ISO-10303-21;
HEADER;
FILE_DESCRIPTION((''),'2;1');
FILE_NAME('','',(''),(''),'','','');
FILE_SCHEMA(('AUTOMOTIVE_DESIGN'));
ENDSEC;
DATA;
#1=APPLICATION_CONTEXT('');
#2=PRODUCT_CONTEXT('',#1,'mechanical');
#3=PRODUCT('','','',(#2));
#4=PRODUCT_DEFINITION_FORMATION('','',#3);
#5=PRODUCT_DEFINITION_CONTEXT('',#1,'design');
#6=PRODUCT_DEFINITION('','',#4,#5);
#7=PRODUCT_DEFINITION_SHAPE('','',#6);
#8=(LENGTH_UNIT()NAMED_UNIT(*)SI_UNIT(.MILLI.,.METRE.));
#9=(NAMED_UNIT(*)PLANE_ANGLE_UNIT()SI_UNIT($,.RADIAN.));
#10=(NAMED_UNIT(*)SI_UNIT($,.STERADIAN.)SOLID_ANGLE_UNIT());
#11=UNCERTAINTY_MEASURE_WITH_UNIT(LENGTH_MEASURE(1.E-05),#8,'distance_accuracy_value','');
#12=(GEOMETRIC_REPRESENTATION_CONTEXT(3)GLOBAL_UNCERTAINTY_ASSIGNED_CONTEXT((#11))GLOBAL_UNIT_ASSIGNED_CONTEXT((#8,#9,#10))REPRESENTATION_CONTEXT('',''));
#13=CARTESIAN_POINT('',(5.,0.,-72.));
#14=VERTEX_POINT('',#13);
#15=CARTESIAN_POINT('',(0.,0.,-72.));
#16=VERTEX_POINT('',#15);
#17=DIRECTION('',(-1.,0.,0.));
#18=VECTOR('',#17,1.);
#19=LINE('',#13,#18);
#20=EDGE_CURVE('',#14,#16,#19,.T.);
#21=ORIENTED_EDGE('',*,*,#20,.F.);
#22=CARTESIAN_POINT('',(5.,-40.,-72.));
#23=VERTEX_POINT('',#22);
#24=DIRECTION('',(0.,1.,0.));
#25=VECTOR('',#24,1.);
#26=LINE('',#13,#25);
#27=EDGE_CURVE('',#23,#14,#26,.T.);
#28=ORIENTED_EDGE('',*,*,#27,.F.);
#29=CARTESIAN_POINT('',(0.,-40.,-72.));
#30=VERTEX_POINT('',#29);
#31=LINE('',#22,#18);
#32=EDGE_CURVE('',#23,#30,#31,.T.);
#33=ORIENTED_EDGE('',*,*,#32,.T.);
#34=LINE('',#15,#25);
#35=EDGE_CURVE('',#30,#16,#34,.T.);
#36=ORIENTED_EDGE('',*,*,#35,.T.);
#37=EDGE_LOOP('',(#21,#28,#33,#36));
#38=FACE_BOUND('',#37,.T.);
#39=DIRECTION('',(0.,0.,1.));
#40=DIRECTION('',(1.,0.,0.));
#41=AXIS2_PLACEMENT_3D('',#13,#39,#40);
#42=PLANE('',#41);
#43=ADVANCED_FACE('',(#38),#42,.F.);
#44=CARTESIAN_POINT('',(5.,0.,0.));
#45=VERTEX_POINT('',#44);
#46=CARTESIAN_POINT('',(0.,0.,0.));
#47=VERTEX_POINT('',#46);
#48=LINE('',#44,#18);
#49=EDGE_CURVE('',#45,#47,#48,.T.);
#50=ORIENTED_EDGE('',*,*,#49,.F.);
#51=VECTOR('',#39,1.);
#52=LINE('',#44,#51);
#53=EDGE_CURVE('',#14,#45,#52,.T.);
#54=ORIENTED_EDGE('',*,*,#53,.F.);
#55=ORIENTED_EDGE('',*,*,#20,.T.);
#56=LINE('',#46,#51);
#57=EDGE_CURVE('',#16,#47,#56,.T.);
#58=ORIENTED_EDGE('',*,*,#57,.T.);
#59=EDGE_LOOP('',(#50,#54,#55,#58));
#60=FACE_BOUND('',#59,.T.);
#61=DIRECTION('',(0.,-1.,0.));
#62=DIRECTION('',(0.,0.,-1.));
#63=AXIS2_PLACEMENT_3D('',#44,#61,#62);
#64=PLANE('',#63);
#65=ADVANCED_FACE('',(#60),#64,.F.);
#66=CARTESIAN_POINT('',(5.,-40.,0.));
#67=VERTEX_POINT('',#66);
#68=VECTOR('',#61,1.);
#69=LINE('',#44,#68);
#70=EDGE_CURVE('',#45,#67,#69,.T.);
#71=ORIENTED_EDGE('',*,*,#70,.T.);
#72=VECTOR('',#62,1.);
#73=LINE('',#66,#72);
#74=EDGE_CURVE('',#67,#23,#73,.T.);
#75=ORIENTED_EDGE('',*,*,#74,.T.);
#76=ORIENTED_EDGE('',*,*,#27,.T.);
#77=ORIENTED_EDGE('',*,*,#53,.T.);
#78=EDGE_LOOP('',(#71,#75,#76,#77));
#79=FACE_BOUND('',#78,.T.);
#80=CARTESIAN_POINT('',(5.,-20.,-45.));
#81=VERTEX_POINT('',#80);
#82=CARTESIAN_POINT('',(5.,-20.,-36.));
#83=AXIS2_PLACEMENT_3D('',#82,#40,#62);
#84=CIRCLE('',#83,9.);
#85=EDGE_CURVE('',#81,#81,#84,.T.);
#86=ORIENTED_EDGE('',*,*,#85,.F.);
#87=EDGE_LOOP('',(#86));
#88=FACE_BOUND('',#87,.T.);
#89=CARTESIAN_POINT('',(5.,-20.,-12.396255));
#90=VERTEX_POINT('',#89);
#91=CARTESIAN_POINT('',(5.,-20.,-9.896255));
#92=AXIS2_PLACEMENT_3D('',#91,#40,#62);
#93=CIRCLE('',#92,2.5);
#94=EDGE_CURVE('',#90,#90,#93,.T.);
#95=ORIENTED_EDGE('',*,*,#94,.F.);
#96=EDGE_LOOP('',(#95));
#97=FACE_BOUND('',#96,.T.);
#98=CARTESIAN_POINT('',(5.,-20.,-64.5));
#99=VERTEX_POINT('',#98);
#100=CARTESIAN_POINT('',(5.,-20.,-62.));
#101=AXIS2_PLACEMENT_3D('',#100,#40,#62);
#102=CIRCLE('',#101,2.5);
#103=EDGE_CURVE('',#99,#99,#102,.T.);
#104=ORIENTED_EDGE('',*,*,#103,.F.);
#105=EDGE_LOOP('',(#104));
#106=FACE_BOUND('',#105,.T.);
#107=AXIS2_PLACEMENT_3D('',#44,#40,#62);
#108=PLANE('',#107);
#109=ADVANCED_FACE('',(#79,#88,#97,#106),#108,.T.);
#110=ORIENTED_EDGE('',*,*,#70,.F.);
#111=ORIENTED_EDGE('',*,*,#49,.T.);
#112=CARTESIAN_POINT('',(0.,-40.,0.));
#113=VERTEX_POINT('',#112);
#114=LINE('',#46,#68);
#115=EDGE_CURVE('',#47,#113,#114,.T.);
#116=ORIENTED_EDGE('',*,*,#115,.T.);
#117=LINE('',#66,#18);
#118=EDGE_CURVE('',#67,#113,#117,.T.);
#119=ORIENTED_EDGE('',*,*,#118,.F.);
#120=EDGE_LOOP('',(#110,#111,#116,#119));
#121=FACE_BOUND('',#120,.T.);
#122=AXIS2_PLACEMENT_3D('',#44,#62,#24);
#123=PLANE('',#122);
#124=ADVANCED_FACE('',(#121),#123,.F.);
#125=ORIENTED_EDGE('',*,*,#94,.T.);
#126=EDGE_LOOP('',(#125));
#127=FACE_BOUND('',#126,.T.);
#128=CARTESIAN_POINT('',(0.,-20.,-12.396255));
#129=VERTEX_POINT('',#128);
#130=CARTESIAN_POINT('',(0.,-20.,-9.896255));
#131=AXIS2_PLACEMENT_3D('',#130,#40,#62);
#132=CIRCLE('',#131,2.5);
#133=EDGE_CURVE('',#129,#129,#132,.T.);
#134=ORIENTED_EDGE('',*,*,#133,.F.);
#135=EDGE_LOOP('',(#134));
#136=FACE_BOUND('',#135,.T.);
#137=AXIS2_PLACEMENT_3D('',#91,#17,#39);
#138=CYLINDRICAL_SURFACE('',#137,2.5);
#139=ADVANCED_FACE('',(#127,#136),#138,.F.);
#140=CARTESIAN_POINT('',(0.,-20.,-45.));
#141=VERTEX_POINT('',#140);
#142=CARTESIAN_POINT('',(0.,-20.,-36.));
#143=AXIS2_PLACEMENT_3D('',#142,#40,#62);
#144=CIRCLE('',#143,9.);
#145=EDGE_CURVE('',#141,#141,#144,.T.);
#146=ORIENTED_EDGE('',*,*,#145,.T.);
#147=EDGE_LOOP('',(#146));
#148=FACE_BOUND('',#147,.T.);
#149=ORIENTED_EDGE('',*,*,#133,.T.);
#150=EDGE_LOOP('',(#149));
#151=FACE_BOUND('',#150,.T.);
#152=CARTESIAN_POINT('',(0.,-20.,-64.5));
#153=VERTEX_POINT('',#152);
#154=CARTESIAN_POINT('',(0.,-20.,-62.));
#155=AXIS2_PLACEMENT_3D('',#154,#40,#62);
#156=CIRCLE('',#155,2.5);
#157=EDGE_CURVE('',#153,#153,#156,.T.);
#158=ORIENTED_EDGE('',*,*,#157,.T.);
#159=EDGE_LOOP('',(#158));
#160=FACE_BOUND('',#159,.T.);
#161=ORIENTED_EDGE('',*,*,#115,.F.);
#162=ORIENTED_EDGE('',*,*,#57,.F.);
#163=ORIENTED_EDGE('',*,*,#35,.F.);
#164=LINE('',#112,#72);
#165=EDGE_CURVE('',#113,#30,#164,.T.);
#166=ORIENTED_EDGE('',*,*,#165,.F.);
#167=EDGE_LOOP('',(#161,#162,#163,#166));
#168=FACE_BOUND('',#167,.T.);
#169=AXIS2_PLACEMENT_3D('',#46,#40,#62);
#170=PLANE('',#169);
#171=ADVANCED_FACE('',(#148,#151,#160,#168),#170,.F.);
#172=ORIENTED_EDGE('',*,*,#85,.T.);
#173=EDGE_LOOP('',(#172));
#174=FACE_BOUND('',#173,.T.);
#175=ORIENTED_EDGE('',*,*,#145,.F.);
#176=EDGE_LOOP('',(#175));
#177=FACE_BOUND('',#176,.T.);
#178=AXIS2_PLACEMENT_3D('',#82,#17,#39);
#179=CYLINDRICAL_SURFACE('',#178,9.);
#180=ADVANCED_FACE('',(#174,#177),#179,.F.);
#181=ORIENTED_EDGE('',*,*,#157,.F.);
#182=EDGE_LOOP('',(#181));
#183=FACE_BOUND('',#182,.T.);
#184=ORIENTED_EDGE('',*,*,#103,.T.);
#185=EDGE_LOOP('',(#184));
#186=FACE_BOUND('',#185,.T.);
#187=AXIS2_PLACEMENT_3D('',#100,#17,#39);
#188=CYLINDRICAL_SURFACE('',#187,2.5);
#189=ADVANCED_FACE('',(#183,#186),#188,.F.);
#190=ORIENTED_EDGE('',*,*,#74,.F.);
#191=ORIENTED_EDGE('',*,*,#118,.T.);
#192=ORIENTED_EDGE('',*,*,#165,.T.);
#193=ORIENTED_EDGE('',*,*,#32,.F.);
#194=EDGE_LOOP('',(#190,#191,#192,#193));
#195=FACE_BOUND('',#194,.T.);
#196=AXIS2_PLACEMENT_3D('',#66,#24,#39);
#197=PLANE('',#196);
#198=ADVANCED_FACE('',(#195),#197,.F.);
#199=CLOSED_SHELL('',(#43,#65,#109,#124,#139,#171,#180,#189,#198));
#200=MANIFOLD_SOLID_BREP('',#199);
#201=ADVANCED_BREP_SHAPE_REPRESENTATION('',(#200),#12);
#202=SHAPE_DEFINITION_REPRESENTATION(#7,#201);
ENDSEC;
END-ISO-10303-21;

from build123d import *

# Parameters (mm, degrees)
SKETCH1_W           = 72
SKETCH1_H           = 40
SKETCH1_R           = 9
SKETCH1_R_2         = 2.5
BOSS_EXTRUDE1_DEPTH = 5


with BuildPart() as part:
    # Sketch1 → Boss-Extrude1 (new body)
    with BuildSketch(Plane(origin=(0, 0, 0), x_dir=(0, 0, -1), z_dir=(1, 0, 0))):
        with Locations((36, -20)):
            Rectangle(SKETCH1_W, SKETCH1_H)
        with Locations((36, -20)):
            Circle(SKETCH1_R, mode=Mode.SUBTRACT)
        with Locations((9.896254834, -20)):
            Circle(SKETCH1_R_2, mode=Mode.SUBTRACT)
        with Locations((62, -20)):
            Circle(SKETCH1_R_2, mode=Mode.SUBTRACT)
    extrude(amount=BOSS_EXTRUDE1_DEPTH)


solid = part.part
